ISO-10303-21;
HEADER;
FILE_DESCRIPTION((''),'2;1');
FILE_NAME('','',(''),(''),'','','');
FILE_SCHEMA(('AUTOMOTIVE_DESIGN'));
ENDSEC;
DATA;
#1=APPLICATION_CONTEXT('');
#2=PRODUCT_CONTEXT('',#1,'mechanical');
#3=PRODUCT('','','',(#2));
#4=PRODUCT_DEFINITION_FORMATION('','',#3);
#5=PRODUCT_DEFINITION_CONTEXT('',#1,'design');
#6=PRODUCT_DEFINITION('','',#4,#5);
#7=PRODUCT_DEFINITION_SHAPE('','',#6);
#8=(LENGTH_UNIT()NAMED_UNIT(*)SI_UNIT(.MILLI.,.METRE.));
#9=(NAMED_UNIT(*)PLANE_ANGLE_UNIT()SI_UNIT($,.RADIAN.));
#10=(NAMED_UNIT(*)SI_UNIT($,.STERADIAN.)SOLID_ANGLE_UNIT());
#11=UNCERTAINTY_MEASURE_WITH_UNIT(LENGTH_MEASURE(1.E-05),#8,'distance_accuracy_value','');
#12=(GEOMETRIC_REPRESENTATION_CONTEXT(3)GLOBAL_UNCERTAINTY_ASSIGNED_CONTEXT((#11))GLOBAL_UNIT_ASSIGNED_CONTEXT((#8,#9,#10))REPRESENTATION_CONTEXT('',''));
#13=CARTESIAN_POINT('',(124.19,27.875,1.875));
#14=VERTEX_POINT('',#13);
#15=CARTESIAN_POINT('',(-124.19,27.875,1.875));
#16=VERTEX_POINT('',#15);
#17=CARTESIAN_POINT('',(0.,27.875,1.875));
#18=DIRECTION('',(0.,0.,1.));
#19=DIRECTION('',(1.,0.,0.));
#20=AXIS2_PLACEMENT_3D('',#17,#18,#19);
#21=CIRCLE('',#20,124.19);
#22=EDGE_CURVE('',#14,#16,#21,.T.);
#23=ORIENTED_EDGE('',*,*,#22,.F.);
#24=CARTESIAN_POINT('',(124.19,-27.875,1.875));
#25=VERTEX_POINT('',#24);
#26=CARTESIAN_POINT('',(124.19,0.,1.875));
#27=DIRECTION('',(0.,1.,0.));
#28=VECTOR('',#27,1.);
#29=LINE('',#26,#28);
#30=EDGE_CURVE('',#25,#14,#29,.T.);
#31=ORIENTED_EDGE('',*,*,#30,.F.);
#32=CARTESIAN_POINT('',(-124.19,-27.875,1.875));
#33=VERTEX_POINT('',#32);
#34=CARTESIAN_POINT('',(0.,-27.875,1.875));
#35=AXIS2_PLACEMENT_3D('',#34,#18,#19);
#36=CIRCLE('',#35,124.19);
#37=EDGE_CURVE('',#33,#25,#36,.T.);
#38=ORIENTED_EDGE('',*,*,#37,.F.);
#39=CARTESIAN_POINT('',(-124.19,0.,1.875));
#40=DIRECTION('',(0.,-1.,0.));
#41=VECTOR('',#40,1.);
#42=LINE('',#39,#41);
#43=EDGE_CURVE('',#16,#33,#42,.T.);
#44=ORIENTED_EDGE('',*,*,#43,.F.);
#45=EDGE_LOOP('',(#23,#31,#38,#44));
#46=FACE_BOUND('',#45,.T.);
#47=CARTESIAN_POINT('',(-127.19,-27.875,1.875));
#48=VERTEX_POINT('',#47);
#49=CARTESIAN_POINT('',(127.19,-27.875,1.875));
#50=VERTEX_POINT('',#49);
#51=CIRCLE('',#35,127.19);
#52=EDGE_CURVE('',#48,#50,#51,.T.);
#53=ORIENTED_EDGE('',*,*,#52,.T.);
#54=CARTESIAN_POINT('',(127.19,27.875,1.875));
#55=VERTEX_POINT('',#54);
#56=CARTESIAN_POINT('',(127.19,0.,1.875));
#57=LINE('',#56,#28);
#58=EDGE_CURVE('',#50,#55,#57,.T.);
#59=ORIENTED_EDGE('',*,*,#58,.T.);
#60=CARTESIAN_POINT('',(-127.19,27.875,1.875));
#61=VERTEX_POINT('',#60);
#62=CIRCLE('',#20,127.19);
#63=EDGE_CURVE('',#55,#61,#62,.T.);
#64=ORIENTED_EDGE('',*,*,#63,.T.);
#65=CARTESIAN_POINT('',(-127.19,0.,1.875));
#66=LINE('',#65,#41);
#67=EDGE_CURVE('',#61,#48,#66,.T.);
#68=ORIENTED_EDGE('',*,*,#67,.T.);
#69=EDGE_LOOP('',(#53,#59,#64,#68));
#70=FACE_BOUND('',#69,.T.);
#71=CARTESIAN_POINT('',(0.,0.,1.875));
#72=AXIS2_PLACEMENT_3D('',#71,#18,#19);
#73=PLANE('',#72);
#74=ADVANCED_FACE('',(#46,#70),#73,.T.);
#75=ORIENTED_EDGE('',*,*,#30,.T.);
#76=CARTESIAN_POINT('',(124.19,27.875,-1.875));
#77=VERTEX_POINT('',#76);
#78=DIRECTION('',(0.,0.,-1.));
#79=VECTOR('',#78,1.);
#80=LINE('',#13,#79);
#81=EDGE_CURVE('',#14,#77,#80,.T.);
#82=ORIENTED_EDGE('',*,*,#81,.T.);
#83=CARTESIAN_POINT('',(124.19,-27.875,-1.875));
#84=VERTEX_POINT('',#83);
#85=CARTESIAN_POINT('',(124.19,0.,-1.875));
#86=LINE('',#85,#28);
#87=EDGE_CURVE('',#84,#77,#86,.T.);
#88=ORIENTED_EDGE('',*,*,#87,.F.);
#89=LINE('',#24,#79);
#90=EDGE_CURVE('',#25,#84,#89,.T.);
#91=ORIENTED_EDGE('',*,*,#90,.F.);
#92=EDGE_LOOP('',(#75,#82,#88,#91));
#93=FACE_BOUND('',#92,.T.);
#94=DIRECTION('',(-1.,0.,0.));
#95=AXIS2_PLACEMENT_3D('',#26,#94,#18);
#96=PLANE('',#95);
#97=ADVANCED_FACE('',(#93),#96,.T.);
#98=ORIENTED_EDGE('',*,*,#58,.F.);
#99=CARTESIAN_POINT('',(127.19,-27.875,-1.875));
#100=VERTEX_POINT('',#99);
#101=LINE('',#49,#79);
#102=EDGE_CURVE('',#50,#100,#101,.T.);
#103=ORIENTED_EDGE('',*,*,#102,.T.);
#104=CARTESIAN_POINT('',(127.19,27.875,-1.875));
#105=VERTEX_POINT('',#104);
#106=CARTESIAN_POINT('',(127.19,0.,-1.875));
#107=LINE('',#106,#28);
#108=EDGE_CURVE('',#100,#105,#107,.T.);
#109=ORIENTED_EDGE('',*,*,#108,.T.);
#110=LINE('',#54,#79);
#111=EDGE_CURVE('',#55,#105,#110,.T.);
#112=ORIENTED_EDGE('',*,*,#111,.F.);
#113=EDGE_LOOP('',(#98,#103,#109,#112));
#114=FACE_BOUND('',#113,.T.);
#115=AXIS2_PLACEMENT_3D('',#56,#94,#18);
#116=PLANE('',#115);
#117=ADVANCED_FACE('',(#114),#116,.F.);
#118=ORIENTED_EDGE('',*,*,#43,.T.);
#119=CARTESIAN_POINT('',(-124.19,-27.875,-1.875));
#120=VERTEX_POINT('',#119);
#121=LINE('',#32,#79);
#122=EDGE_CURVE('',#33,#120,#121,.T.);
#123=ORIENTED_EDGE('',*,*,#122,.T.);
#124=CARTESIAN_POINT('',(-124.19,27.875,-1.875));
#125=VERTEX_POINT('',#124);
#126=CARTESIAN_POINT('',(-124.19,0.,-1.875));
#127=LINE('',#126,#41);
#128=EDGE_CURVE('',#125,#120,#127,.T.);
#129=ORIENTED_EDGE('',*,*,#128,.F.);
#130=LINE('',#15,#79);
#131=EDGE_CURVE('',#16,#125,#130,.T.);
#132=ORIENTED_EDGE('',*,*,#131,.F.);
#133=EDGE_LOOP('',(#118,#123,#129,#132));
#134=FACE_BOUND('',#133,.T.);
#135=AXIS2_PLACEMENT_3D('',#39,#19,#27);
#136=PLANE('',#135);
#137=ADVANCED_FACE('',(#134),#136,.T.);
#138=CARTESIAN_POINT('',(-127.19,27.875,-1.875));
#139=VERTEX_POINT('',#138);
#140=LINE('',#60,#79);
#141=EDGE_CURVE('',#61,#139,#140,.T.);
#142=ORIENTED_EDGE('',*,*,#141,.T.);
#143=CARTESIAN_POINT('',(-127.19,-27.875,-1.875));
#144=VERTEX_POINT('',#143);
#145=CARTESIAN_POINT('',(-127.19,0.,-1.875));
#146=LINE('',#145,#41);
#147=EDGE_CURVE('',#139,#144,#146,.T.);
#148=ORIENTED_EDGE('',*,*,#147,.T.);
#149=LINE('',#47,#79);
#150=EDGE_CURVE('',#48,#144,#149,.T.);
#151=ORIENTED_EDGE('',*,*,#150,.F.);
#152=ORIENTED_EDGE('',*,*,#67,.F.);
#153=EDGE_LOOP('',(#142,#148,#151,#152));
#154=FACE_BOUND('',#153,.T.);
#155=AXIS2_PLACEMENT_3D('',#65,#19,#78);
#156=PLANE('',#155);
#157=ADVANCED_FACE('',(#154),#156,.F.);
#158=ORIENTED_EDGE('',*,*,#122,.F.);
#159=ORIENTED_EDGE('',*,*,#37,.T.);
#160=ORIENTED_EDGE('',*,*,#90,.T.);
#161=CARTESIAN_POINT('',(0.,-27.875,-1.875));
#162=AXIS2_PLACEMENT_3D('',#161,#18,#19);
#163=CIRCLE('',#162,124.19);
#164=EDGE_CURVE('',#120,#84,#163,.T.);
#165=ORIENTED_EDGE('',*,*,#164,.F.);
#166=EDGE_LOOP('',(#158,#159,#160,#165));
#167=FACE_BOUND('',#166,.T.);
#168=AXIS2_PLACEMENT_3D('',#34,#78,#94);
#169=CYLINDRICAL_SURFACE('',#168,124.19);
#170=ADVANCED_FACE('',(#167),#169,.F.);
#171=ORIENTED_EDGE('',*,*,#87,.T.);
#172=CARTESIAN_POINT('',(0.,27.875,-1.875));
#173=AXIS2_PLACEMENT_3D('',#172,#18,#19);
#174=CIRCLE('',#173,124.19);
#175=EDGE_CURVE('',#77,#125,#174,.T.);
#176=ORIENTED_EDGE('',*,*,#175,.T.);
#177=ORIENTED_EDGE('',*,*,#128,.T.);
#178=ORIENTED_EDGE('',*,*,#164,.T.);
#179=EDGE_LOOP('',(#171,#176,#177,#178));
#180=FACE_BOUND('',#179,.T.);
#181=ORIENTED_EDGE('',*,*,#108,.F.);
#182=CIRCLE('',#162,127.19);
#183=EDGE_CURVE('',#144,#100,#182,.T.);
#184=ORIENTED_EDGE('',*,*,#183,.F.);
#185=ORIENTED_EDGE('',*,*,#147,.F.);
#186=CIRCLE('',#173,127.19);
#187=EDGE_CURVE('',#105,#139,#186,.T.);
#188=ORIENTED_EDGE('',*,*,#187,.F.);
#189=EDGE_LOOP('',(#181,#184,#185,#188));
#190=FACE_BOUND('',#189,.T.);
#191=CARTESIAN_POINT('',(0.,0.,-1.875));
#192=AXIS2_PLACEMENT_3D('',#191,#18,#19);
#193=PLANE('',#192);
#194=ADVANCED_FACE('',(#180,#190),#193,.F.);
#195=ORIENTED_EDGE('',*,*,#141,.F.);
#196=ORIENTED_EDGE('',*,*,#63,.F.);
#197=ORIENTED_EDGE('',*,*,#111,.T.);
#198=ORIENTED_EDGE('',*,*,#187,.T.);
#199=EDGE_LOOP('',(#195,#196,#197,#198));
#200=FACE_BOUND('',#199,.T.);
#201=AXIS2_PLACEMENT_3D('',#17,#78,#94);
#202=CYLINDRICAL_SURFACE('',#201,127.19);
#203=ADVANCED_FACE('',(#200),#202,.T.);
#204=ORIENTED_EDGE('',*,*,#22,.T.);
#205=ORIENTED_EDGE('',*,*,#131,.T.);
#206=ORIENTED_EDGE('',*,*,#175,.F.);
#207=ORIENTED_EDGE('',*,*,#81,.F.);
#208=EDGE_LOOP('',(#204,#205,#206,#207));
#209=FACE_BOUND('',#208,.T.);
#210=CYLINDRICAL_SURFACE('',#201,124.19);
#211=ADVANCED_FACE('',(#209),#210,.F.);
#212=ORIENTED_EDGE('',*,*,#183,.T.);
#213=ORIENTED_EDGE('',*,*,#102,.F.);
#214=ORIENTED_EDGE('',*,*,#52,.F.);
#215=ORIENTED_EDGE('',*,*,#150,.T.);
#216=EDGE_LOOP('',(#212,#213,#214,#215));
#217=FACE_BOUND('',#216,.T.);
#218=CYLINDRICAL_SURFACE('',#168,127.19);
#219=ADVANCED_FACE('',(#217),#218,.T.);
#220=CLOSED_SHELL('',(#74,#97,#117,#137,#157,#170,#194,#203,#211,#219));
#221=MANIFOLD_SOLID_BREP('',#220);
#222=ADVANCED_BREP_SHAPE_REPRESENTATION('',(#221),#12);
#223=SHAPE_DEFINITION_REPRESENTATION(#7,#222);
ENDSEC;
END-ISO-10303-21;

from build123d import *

# Parameters (mm, degrees)
BOSS_EXTRUDE1_DEPTH = 1.875


with BuildPart() as part:
    # Sketch2 → Boss-Extrude1 (new, symmetric)
    with BuildSketch(Plane.XY):
        with BuildLine():
            Line((-127.19, 27.875), (-127.19, -27.875))
            ThreePointArc((-127.19, -27.875), (0, -155.065), (127.19, -27.875))
            Line((127.19, -27.875), (127.19, 27.875))
            ThreePointArc((127.19, 27.875), (0, 155.065), (-127.19, 27.875))
        make_face()
        with BuildLine():
            ThreePointArc((124.19, 27.875), (0, 152.065), (-124.19, 27.875))
            Line((-124.19, 27.875), (-124.19, -27.875))
            ThreePointArc((-124.19, -27.875), (0, -152.065), (124.19, -27.875))
            Line((124.19, -27.875), (124.19, 27.875))
        make_face(mode=Mode.SUBTRACT)
    extrude(amount=BOSS_EXTRUDE1_DEPTH, both=True)


solid = part.part
